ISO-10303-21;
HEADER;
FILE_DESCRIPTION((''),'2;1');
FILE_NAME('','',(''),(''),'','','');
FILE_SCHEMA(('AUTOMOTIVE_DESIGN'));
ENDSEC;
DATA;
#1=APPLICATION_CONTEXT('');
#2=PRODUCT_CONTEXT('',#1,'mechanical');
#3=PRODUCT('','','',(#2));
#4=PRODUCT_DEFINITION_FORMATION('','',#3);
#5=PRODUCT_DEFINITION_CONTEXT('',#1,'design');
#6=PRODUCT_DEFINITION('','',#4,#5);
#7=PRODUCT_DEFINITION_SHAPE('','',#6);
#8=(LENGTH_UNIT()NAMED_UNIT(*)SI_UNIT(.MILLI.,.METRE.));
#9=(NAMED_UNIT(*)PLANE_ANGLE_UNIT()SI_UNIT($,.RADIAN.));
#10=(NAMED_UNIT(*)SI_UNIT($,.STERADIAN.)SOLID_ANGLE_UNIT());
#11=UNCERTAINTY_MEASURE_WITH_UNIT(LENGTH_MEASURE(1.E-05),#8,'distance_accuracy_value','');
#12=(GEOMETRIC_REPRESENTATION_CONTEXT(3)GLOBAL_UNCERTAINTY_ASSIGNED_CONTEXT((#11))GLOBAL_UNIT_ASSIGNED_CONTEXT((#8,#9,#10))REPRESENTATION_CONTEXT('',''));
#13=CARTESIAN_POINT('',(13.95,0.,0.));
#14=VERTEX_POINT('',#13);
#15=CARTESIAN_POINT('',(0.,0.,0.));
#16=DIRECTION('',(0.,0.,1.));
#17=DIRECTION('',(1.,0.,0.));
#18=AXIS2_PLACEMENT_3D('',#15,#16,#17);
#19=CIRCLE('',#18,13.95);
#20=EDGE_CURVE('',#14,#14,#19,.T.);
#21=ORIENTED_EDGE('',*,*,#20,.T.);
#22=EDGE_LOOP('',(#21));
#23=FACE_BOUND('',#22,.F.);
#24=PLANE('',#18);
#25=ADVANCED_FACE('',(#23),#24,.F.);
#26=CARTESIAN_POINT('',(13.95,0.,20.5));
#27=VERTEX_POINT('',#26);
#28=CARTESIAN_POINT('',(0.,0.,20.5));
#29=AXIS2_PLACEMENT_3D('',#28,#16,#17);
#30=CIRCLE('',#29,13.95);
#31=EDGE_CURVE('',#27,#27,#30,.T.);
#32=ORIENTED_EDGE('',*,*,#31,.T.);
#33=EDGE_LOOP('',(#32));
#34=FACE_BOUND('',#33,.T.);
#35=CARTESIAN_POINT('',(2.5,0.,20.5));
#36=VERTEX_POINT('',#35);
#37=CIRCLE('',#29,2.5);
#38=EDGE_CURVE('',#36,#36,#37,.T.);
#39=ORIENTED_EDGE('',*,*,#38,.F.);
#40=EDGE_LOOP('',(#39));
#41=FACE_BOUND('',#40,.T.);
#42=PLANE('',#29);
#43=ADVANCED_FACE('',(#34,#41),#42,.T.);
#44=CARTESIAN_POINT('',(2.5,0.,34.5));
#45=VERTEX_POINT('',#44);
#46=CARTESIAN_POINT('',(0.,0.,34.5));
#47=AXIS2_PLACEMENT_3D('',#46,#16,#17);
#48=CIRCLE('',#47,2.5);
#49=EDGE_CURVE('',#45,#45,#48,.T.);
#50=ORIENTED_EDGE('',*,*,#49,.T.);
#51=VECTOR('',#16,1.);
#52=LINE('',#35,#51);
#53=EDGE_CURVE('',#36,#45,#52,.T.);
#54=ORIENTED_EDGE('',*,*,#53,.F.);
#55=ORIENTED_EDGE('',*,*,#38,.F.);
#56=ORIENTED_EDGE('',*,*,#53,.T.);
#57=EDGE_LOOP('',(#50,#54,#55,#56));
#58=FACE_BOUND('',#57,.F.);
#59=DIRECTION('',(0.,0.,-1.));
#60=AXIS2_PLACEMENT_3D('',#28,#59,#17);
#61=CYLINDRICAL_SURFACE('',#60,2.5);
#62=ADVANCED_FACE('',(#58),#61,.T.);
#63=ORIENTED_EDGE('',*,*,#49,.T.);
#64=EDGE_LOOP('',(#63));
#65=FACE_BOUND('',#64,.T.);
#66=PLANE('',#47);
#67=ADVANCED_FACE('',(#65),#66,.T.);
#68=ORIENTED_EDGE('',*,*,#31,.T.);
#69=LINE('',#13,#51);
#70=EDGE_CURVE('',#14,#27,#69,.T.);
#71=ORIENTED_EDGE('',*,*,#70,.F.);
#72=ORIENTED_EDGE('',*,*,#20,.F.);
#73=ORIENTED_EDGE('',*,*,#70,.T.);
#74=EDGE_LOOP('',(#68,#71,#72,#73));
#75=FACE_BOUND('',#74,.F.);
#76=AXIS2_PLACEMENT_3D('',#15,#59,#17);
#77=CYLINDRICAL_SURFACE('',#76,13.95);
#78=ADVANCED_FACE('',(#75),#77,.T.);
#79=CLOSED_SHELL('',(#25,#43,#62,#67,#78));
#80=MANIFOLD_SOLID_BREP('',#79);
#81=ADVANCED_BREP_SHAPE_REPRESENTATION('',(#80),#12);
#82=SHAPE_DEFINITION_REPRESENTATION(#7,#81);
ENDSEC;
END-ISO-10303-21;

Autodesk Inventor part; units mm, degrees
ref_plane "YZ Plane" through (0, 0, 0) normal (1, 0, 0) x (0, 1, 0)
ref_plane "XZ Plane" through (0, 0, 0) normal (0, 1, 0) x (-1, 0, 0)
ref_plane "XY Plane" through (0, 0, 0) normal (0, 0, 1) x (1, 0, 0)
sketch "Sketch1" plane through (0, 0, 0) normal (0, 0, 1) x (1, 0, 0)
  circle A0 centre (0, 0) radius 13.95
  dimension "d0" = 27.9
extrude "Extrusion1" add sketch "Sketch1" along normal blind 20.5
sketch "Sketch2" plane through (0, 0, 20.5) normal (0, 0, 1) x (1, 0, 0)
  circle A0 centre (0, 0) radius 2.5
  dimension "d3" = 5
extrude "Extrusion2" add sketch "Sketch2" along normal blind 14
properties part number "motor mock"
